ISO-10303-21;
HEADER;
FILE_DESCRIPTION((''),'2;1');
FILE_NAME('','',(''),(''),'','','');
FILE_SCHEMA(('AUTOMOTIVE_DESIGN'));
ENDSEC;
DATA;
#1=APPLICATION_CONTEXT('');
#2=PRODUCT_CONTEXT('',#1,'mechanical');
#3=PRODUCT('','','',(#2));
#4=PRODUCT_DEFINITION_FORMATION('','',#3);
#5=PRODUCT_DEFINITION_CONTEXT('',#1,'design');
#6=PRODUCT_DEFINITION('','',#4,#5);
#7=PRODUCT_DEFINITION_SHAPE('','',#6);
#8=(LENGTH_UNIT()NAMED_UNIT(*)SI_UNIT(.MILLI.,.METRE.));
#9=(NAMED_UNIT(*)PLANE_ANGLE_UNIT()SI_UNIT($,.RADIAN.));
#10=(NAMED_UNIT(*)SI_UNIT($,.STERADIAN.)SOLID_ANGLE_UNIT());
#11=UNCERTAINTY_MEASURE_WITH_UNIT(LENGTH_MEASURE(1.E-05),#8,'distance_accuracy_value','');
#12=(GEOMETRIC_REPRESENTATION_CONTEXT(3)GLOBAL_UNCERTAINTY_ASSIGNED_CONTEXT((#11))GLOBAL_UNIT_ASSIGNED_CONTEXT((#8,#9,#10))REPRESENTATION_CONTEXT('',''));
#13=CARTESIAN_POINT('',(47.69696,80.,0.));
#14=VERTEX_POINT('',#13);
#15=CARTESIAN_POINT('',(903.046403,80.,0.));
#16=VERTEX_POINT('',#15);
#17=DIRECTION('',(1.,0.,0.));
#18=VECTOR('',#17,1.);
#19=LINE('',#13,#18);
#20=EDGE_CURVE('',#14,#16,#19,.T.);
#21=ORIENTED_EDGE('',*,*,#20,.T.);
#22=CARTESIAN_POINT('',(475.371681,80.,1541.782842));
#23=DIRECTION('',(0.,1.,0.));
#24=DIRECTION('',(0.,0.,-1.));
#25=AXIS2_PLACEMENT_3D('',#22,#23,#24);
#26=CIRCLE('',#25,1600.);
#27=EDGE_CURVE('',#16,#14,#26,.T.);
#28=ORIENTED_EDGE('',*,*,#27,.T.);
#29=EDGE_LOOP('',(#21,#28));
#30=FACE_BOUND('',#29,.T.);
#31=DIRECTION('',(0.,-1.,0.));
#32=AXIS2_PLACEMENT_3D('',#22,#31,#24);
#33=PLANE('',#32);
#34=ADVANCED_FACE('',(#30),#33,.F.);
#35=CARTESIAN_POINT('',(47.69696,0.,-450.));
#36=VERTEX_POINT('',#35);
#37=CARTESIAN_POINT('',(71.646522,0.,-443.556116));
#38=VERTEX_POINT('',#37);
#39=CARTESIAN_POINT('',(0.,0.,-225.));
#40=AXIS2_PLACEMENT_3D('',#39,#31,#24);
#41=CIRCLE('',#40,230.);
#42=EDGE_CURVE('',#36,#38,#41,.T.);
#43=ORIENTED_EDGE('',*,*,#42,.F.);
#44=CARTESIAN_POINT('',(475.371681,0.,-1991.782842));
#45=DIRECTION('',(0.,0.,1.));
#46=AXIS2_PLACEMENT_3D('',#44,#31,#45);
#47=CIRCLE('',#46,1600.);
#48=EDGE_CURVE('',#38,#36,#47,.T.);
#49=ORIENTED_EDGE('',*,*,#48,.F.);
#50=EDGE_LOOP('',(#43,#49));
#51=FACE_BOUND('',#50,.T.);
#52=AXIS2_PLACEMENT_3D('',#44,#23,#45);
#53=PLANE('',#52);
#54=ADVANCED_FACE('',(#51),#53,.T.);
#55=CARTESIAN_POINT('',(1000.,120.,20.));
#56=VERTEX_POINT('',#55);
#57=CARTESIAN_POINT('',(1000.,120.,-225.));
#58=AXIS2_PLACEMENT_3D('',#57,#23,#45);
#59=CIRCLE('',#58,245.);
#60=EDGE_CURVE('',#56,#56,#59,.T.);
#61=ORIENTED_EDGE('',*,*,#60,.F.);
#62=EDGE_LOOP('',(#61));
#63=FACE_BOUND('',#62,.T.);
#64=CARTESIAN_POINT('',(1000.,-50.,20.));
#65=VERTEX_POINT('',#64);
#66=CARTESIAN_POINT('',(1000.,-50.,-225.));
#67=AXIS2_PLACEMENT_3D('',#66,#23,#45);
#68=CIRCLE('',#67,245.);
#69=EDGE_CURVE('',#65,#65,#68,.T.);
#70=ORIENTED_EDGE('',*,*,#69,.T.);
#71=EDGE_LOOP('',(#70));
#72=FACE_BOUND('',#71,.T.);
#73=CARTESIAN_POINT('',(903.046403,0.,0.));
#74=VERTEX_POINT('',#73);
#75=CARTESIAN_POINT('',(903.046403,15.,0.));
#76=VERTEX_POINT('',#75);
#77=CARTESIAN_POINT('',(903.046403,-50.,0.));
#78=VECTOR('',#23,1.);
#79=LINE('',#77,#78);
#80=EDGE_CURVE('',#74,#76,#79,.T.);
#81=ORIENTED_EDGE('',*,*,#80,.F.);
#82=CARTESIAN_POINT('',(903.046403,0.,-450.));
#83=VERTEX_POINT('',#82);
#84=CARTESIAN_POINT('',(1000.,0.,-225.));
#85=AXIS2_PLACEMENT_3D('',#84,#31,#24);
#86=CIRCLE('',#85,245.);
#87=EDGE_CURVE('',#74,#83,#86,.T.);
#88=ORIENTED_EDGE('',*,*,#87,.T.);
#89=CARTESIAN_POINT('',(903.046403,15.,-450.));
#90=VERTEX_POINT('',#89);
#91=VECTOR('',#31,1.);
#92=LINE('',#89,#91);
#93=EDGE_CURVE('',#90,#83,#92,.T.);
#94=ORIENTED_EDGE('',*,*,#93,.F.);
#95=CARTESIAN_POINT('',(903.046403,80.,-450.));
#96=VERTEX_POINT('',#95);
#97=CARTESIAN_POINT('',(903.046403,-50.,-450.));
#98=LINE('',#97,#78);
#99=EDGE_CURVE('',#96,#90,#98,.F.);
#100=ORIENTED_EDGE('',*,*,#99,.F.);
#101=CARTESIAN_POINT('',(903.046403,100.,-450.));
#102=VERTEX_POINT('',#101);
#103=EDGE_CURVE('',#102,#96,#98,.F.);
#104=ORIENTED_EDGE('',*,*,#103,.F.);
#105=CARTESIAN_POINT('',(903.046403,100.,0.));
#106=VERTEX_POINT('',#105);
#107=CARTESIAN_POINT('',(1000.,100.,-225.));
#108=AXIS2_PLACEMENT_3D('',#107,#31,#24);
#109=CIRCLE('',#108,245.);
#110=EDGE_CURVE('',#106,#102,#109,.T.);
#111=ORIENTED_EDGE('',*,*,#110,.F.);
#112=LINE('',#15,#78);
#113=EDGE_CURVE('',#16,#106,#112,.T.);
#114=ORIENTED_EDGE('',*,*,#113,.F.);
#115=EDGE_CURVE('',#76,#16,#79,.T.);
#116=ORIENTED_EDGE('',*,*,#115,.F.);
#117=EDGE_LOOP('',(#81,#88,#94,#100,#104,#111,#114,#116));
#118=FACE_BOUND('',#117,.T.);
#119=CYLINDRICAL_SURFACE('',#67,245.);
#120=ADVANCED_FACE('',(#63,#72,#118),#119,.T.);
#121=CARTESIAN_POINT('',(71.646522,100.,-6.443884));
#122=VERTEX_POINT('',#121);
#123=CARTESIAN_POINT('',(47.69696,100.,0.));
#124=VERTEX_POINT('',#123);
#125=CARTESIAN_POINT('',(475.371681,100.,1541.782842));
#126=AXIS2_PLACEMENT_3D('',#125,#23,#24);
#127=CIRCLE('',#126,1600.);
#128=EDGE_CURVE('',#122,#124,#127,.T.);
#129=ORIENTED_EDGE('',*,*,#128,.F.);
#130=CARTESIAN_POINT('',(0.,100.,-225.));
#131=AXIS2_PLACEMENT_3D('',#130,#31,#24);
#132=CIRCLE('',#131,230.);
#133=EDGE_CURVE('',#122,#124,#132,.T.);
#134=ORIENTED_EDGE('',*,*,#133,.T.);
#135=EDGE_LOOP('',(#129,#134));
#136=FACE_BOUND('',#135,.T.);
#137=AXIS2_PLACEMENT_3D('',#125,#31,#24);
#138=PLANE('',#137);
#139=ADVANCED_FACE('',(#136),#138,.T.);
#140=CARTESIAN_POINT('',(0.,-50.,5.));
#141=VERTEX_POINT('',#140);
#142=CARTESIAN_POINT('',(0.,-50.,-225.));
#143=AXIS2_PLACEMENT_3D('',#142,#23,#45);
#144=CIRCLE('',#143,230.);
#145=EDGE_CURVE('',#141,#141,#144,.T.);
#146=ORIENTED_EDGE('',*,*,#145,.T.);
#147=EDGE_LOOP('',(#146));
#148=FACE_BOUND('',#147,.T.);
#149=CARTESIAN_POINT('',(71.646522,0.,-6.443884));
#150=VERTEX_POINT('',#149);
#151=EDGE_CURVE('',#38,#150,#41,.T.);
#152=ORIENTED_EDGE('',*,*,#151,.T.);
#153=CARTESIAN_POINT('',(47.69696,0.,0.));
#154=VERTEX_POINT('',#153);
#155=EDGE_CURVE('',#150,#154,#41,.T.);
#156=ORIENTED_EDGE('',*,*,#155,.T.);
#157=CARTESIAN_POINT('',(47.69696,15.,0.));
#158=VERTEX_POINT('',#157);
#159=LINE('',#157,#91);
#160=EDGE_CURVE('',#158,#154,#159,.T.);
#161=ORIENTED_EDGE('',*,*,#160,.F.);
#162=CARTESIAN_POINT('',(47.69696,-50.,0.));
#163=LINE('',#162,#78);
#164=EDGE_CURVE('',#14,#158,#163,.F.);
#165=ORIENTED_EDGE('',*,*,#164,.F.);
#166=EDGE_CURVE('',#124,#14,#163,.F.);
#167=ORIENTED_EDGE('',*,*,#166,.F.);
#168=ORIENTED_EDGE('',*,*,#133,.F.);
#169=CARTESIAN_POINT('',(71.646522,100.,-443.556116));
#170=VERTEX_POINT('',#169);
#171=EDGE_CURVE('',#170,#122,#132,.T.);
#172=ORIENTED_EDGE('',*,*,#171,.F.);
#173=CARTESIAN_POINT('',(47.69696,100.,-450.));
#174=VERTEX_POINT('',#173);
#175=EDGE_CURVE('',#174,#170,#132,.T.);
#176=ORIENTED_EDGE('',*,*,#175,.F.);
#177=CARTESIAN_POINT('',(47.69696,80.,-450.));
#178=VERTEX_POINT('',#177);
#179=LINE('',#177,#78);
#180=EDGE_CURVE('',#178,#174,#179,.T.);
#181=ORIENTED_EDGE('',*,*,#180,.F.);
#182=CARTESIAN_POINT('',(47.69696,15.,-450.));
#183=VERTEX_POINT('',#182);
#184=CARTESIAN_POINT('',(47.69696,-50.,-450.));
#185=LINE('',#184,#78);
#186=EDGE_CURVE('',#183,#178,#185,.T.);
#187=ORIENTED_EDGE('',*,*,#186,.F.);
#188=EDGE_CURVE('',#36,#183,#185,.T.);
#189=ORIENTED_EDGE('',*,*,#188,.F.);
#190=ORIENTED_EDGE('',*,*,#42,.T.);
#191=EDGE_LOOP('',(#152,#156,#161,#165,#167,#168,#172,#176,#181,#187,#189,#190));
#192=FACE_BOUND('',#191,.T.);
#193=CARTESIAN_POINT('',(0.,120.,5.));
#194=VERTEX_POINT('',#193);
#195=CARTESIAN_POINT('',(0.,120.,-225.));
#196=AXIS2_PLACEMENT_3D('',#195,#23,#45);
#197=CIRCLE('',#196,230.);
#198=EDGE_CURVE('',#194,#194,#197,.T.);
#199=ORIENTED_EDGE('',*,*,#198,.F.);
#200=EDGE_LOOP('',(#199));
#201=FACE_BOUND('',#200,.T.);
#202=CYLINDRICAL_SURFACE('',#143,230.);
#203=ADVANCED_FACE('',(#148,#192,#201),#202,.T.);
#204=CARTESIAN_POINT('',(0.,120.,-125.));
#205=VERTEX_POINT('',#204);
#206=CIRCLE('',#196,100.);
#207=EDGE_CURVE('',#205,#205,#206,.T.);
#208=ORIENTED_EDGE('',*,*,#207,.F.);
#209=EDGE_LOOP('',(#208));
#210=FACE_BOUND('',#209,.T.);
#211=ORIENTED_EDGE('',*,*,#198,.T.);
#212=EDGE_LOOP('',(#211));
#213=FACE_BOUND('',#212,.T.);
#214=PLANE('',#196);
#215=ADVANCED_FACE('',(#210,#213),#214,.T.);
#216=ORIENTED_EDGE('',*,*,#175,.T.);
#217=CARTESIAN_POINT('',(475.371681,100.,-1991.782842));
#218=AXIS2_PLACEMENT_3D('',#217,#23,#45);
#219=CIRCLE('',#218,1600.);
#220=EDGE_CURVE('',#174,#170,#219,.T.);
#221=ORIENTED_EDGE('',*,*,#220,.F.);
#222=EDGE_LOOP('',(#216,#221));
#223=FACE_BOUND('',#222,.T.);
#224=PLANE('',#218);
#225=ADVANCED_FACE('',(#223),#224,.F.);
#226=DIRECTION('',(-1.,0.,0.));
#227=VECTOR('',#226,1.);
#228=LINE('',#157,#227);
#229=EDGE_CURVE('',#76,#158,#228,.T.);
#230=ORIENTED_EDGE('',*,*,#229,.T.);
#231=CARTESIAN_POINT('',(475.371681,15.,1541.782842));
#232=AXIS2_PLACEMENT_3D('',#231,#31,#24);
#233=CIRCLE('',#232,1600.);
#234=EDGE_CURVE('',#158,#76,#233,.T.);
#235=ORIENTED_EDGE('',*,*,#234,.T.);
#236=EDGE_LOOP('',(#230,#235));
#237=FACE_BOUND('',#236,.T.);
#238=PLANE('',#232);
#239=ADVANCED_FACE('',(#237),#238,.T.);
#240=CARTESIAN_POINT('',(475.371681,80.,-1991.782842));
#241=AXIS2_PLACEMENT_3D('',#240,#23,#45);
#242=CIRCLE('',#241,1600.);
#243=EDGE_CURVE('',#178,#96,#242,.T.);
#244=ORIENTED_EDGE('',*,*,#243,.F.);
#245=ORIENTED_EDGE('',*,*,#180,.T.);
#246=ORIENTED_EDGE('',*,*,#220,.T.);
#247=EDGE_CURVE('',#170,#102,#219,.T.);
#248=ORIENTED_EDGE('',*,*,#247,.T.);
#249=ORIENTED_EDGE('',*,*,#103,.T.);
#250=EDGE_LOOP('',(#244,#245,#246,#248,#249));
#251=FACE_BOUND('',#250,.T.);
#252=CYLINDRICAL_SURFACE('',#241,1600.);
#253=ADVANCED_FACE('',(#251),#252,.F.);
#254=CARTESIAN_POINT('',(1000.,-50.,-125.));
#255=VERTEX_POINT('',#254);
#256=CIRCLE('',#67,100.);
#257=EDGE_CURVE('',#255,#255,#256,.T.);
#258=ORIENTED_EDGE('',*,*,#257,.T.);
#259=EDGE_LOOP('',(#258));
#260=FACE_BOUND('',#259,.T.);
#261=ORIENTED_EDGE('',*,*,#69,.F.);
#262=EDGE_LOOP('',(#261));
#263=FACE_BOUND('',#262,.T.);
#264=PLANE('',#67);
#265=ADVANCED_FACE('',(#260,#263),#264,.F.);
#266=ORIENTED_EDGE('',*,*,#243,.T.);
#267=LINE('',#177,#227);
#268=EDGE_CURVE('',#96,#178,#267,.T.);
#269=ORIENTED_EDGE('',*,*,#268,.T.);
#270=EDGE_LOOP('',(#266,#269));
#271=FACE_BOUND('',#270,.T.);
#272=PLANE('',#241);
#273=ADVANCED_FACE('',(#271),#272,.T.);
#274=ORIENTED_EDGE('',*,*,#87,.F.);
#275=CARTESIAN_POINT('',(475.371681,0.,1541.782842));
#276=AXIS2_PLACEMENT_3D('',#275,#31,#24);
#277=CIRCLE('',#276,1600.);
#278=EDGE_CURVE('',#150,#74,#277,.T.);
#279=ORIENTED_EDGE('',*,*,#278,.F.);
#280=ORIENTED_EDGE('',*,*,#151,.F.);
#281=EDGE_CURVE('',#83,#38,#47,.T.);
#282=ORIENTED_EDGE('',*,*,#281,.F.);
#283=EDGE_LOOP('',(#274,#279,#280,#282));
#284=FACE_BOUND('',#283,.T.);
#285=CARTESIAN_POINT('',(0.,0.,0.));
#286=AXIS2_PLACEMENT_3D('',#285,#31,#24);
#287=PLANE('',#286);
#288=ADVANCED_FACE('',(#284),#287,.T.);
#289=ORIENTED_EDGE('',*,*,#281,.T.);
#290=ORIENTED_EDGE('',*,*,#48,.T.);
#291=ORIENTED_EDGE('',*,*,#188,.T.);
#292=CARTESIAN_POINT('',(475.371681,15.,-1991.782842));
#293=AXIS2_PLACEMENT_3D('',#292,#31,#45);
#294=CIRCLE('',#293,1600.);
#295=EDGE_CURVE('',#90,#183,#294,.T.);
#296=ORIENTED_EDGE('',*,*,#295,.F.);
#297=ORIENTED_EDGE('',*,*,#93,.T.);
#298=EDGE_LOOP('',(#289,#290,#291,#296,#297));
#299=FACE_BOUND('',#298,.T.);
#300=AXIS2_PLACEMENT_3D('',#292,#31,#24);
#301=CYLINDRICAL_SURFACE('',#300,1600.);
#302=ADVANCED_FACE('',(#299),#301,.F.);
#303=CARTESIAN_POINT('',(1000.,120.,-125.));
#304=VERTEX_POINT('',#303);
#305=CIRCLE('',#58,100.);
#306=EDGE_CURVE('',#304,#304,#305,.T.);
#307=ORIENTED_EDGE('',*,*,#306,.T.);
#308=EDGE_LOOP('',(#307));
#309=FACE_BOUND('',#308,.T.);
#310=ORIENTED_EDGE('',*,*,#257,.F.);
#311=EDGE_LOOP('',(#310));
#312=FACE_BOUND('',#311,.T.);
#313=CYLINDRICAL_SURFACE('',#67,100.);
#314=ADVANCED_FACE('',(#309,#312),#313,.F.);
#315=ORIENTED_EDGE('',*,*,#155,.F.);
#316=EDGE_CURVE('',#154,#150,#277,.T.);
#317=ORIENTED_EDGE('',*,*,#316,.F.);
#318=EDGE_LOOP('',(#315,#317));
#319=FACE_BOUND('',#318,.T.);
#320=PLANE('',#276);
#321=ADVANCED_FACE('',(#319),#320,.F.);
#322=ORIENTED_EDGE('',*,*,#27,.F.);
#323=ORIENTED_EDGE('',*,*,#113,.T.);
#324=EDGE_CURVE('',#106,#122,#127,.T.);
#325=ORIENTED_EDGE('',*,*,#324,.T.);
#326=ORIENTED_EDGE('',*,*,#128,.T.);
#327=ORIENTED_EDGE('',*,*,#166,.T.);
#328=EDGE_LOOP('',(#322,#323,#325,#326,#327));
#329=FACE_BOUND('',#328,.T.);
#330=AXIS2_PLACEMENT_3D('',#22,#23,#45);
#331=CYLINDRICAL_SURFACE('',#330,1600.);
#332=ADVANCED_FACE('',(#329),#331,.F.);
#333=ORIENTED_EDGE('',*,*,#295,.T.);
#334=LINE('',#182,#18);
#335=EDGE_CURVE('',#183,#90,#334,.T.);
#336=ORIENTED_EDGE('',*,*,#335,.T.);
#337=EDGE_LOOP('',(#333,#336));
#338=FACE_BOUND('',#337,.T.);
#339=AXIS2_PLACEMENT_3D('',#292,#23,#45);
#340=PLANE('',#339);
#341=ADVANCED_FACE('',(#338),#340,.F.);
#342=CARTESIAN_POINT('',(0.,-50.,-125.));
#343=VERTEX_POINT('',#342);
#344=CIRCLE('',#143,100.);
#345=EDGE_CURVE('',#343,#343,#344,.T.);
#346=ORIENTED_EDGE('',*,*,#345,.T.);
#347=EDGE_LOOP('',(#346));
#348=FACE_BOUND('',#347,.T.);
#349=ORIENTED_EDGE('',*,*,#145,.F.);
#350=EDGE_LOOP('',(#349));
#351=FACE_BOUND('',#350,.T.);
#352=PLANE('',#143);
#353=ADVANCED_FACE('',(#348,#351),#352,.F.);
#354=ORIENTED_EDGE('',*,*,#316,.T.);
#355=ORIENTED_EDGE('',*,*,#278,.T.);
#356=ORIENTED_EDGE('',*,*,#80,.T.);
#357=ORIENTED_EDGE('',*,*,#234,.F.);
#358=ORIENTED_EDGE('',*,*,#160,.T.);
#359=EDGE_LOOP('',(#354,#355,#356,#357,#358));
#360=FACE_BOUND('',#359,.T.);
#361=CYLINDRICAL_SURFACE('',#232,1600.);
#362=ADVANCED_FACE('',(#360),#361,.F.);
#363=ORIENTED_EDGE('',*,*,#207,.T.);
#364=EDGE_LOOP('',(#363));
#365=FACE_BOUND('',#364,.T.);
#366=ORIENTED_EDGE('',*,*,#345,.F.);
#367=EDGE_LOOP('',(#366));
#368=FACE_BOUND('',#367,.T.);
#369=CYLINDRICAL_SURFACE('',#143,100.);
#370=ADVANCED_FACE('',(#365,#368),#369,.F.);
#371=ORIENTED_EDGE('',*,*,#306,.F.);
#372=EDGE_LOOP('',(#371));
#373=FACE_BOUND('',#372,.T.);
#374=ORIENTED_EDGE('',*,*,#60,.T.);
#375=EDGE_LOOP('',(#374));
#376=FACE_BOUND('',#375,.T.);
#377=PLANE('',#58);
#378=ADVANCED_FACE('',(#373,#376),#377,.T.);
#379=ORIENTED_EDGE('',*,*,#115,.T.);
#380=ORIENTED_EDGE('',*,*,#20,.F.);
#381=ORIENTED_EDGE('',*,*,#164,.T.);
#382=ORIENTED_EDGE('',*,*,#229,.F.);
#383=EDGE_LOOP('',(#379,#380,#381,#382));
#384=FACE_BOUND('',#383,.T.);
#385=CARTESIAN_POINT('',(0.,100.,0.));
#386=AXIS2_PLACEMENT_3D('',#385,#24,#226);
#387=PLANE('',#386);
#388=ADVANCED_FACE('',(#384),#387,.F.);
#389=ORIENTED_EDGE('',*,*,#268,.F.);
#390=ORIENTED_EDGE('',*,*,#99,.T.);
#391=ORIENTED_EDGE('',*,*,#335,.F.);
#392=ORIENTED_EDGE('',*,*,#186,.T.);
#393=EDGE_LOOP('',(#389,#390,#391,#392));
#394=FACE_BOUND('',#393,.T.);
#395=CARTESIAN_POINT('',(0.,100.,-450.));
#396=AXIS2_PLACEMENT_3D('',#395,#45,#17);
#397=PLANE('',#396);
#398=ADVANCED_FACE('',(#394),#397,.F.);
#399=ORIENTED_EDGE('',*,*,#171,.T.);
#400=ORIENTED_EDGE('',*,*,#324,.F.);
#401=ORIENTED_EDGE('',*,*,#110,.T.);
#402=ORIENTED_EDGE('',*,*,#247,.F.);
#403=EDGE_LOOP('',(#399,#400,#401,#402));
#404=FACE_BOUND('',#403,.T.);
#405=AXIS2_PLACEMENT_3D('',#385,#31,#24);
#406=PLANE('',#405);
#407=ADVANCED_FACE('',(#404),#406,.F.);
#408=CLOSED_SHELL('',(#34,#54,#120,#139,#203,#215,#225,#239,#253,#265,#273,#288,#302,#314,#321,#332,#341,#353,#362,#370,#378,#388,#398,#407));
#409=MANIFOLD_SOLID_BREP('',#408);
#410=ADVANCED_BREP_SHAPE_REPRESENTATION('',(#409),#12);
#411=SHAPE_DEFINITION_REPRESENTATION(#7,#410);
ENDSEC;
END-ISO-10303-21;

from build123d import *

# Parameters (mm, degrees)
CROQUIS3_W                   = 1000
CROQUIS3_H                   = 450
SALIENTE_EXTRUIR4_DEPTH      = 100
SALIENTE_EXTRUIR5_DEPTH      = 20
SALIENTE_EXTRUIR5_DEPTH_BACK = 150
CROQUIS6_R                   = 245
CROQUIS6_R_2                 = 230
CORTAR_EXTRUIR5_DEPTH        = 20
CORTAR_EXTRUIR4_DEPTH        = 1342.575566265
CORTAR_EXTRUIR4_DEPTH_BACK   = 1342.575566265
CROQUIS8_R                   = 100
CORTAR_EXTRUIR6_START        = -15
CORTAR_EXTRUIR6_DEPTH        = 15


with BuildPart() as part:
    # Croquis3 → Saliente-Extruir4 (new body)
    with BuildSketch(Plane(origin=(0, 0, 0), x_dir=(1, 0, 0), z_dir=(0, 1, 0))):
        with Locations((500, 225)):
            Rectangle(CROQUIS3_W, CROQUIS3_H)
    extrude(amount=SALIENTE_EXTRUIR4_DEPTH)

    # Croquis6 → Saliente-Extruir5 (add, two sides: drawn at the far end of the back side and taken through both)
    with BuildSketch(Plane(origin=(0, 100, 0), x_dir=(1, 0, 0), z_dir=(0, 1, 0)).offset(-SALIENTE_EXTRUIR5_DEPTH_BACK)):
        with Locations(Location((1000, 225, 0), (0, 0, 270))):
            Circle(CROQUIS6_R)
        with Locations(Location((0, 225, 0), (0, 0, 270))):
            Circle(CROQUIS6_R_2)
    extrude(amount=SALIENTE_EXTRUIR5_DEPTH + SALIENTE_EXTRUIR5_DEPTH_BACK)

    # Croquis7 → Cortar-Extruir5 (cut)
    with BuildSketch(Plane(origin=(0, 100, 0), x_dir=(1, 0, 0), z_dir=(0, 1, 0))):
        with BuildLine():
            Line((47.696960071, 0), (903.046402852, 0))
            ThreePointArc((903.046402852, 0), (475.371681461, 58.217157741), (47.696960071, 0))
        make_face()
        with BuildLine():
            Line((47.696960071, 450), (903.046402852, 450))
            ThreePointArc((903.046402852, 450), (475.371681461, 391.782842259), (47.696960071, 450))
        make_face()
    extrude(amount=-CORTAR_EXTRUIR5_DEPTH, mode=Mode.SUBTRACT)

    # Croquis8 → Cortar-Extruir4 (cut, two sides: drawn at the far end of the back side and taken through both)
    with BuildSketch(Plane(origin=(0, 120, 0), x_dir=(1, 0, 0), z_dir=(0, 1, 0)).offset(-CORTAR_EXTRUIR4_DEPTH_BACK)):
        with Locations(Location((0, 225, 0), (0, 0, 270))):
            Circle(CROQUIS8_R)
        with Locations(Location((1000, 225, 0), (0, 0, 270))):
            Circle(CROQUIS8_R)
    extrude(amount=CORTAR_EXTRUIR4_DEPTH + CORTAR_EXTRUIR4_DEPTH_BACK, mode=Mode.SUBTRACT)

    # Croquis9 → Cortar-Extruir6 (cut)
    with BuildSketch(Plane.XZ.offset(CORTAR_EXTRUIR6_START)):
        with BuildLine():
            Line((47.696960071, 0), (903.046402852, 0))
            ThreePointArc((903.046402852, 0), (475.371681461, -58.217157741), (47.696960071, 0))
        make_face()
        with BuildLine():
            Line((47.696960071, -450), (903.046402852, -450))
            ThreePointArc((903.046402852, -450), (475.371681461, -391.782842259), (47.696960071, -450))
        make_face()
    extrude(amount=CORTAR_EXTRUIR6_DEPTH, mode=Mode.SUBTRACT)


solid = part.part
